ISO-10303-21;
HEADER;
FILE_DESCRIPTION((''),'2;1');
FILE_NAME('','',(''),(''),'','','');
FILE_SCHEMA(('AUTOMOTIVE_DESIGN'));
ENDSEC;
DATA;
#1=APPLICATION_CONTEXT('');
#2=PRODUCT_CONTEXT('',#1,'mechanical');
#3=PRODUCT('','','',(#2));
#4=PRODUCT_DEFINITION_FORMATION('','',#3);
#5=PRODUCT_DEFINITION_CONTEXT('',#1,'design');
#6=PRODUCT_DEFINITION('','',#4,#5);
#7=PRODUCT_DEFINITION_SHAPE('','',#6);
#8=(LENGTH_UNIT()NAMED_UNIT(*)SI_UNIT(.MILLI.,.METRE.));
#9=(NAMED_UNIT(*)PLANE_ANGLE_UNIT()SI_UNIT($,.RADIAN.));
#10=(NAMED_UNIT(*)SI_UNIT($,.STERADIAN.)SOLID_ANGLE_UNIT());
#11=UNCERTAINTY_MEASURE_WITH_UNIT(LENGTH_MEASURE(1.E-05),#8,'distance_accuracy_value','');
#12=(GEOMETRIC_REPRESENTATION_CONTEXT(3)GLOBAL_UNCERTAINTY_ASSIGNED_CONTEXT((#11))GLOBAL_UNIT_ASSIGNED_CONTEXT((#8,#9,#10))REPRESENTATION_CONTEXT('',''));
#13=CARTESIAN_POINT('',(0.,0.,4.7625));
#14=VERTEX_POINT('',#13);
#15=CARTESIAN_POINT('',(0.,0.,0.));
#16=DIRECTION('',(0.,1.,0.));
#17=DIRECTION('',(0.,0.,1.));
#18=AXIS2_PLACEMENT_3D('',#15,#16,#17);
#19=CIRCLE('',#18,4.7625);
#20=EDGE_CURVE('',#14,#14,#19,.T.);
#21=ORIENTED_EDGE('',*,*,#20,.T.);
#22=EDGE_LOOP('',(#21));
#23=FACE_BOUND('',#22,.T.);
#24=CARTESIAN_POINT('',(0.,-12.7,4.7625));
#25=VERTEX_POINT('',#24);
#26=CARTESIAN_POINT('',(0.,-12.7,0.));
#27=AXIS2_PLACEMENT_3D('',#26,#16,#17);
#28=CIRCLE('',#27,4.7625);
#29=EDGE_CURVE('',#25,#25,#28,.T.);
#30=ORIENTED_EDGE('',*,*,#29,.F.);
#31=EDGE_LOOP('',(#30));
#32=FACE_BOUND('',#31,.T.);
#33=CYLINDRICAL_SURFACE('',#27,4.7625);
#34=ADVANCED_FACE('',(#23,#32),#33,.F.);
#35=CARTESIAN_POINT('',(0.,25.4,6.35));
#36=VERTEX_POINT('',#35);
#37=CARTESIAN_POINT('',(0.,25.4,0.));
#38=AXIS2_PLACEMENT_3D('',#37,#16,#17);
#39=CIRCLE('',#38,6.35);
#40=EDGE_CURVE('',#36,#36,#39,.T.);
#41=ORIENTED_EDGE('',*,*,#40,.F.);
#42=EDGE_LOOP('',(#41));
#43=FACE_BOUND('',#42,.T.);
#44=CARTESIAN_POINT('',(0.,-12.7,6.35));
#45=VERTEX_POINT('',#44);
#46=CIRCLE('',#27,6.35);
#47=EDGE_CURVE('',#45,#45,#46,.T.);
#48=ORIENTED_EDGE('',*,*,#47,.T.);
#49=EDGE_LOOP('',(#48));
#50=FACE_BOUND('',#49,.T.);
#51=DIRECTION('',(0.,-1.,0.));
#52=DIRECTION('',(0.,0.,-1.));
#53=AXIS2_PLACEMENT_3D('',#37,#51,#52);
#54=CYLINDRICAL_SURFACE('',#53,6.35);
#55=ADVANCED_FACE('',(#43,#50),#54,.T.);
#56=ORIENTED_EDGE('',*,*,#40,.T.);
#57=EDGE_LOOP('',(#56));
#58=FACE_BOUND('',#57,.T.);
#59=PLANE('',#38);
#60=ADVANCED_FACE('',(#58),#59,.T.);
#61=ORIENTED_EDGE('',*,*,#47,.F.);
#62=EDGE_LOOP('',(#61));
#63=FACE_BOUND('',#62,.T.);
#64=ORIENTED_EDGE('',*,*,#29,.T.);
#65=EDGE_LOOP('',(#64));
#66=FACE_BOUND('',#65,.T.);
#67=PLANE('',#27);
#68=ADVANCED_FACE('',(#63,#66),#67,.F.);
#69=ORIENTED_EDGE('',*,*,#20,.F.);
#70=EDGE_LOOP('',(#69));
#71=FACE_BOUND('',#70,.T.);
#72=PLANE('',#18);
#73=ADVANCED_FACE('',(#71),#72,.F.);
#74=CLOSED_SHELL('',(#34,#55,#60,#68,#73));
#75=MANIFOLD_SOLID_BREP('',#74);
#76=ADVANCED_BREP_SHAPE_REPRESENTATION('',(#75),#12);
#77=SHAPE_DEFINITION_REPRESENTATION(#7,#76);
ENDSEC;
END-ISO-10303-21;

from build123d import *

# Parameters (mm, degrees)
SKETCH1_R           = 6.35
BOSS_EXTRUDE1_DEPTH = 25.4
BOSS_EXTRUDE2_START = -12.7
SKETCH1_4_R         = 6.35
SKETCH1_4_R_2       = 4.7625
BOSS_EXTRUDE2_DEPTH = 12.7


with BuildPart() as part:
    # Sketch1 → Boss-Extrude1 (new body)
    with BuildSketch(Plane(origin=(0, 0, 0), x_dir=(1, 0, 0), z_dir=(0, 1, 0))):
        Circle(SKETCH1_R)
    extrude(amount=BOSS_EXTRUDE1_DEPTH)

    # Sketch1<4> → Boss-Extrude2 (add)
    with BuildSketch(Plane(origin=(0, 0, 0), x_dir=(1, 0, 0), z_dir=(0, 1, 0)).offset(BOSS_EXTRUDE2_START)):
        Circle(SKETCH1_4_R)
        Circle(SKETCH1_4_R_2, mode=Mode.SUBTRACT)
    extrude(amount=BOSS_EXTRUDE2_DEPTH)


solid = part.part
